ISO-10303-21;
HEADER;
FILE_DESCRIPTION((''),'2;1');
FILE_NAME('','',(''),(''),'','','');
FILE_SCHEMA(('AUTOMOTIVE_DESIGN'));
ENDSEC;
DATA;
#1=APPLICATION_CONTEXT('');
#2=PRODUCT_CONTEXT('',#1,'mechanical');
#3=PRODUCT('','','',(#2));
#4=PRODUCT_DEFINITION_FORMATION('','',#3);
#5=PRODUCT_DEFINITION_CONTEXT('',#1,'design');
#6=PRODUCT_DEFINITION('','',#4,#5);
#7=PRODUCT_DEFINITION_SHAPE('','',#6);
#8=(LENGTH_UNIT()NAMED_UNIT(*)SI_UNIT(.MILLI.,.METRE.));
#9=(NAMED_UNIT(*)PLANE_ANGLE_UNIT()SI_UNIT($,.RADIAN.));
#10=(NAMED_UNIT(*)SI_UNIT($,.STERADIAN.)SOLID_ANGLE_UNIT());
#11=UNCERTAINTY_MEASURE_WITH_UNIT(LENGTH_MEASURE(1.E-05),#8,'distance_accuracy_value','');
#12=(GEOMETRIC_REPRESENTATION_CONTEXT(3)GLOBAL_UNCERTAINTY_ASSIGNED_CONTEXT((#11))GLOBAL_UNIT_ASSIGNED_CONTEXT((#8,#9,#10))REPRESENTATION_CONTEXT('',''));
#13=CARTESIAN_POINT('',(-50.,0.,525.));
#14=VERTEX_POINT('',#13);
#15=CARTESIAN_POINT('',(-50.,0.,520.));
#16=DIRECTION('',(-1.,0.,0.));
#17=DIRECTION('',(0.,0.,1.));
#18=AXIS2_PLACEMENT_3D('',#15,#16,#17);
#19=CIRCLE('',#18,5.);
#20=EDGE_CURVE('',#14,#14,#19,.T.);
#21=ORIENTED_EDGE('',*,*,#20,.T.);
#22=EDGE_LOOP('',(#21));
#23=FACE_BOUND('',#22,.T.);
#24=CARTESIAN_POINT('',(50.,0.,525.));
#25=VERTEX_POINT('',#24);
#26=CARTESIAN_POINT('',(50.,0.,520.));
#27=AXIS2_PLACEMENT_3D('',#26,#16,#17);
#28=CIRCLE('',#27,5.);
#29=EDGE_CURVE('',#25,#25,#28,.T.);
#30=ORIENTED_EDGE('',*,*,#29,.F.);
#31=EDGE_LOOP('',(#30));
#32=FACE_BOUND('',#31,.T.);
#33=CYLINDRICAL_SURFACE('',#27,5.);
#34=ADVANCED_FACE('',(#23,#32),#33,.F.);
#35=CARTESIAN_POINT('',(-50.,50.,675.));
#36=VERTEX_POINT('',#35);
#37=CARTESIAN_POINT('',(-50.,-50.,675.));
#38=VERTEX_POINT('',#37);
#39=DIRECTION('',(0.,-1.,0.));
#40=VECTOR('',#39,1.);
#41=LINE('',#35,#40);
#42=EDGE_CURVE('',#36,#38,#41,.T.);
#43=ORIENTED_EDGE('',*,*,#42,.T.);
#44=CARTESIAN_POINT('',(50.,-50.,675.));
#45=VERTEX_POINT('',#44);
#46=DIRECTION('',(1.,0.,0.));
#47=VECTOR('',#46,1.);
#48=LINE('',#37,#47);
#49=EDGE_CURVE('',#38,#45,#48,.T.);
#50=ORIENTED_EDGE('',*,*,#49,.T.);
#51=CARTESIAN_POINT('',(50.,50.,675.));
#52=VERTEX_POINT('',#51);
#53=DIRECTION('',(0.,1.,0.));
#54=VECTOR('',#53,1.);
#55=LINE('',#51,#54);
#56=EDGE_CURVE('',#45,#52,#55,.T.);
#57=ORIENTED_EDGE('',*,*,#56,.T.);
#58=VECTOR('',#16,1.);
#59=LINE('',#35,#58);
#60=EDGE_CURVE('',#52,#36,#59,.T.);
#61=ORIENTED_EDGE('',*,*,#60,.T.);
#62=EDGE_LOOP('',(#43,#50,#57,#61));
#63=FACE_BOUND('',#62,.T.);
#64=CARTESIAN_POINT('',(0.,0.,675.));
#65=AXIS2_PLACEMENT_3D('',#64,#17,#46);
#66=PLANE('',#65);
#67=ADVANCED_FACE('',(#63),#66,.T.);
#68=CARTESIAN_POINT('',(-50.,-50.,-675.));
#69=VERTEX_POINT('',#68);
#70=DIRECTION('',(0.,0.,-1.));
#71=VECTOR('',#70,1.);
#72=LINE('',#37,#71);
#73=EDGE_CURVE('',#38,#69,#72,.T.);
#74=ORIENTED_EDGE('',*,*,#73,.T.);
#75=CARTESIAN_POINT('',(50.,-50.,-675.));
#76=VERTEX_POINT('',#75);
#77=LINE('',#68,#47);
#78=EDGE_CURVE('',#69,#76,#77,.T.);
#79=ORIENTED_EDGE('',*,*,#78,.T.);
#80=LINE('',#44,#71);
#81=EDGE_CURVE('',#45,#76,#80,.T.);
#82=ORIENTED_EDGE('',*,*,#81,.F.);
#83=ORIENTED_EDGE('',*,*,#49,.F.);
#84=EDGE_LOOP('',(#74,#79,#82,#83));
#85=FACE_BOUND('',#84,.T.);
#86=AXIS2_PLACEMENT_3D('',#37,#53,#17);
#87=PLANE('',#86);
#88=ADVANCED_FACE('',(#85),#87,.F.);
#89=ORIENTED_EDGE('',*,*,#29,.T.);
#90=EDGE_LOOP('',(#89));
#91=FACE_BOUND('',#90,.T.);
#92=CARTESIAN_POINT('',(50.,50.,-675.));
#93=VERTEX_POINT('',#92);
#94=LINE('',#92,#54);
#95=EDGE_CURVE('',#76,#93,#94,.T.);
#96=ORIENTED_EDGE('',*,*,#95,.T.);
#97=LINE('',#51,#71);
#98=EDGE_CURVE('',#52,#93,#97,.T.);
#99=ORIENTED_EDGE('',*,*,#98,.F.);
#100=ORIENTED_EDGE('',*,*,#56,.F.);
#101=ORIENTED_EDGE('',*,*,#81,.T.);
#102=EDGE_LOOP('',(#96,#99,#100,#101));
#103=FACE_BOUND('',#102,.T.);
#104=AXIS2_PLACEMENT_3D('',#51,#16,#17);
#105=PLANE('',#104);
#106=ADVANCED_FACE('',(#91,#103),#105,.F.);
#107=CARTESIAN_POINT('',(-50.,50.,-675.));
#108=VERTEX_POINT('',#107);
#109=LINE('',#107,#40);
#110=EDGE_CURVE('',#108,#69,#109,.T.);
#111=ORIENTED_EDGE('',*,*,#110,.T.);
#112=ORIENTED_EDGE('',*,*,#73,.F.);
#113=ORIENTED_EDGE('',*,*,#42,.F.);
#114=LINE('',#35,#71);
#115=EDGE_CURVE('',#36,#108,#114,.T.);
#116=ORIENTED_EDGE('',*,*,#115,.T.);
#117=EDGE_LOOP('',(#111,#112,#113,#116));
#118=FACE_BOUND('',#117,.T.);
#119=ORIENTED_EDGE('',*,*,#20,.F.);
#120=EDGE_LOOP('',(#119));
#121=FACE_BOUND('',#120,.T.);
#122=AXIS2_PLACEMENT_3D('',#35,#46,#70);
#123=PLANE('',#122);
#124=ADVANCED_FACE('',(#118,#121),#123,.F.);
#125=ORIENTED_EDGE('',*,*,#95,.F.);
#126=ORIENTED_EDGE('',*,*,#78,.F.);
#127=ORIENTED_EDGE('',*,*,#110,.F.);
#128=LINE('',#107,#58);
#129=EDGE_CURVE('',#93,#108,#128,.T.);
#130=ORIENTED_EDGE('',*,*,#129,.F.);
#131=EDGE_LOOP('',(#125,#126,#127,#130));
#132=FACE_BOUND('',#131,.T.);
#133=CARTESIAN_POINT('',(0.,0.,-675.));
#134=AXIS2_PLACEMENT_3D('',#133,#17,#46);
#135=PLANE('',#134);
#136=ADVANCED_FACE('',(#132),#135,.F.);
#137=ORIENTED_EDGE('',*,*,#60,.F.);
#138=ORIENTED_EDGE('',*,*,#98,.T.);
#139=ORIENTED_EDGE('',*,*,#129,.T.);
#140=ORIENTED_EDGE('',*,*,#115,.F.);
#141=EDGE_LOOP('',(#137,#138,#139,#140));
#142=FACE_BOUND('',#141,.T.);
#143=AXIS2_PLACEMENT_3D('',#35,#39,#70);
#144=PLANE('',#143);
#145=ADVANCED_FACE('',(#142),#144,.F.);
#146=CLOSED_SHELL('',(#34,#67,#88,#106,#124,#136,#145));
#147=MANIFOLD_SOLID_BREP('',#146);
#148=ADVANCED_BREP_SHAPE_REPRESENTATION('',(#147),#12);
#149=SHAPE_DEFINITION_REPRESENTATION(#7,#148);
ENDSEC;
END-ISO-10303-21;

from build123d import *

# Parameters (mm, degrees)
SKETCH1_W           = 100
SKETCH1_H           = 100
BOSS_EXTRUDE1_DEPTH = 675
SKETCH2_R           = 5
CUT_EXTRUDE1_DEPTH  = 685.19660917


with BuildPart() as part:
    # Sketch1 → Boss-Extrude1 (new, symmetric)
    with BuildSketch(Plane.XY):
        Rectangle(SKETCH1_W, SKETCH1_H)
    extrude(amount=BOSS_EXTRUDE1_DEPTH, both=True)

    # Sketch2 → Cut-Extrude1 (cut, through all)
    with BuildSketch(Plane.ZY.offset(50)):
        with Locations((520, 0)):
            Circle(SKETCH2_R)
    extrude(amount=-CUT_EXTRUDE1_DEPTH, mode=Mode.SUBTRACT)


solid = part.part
